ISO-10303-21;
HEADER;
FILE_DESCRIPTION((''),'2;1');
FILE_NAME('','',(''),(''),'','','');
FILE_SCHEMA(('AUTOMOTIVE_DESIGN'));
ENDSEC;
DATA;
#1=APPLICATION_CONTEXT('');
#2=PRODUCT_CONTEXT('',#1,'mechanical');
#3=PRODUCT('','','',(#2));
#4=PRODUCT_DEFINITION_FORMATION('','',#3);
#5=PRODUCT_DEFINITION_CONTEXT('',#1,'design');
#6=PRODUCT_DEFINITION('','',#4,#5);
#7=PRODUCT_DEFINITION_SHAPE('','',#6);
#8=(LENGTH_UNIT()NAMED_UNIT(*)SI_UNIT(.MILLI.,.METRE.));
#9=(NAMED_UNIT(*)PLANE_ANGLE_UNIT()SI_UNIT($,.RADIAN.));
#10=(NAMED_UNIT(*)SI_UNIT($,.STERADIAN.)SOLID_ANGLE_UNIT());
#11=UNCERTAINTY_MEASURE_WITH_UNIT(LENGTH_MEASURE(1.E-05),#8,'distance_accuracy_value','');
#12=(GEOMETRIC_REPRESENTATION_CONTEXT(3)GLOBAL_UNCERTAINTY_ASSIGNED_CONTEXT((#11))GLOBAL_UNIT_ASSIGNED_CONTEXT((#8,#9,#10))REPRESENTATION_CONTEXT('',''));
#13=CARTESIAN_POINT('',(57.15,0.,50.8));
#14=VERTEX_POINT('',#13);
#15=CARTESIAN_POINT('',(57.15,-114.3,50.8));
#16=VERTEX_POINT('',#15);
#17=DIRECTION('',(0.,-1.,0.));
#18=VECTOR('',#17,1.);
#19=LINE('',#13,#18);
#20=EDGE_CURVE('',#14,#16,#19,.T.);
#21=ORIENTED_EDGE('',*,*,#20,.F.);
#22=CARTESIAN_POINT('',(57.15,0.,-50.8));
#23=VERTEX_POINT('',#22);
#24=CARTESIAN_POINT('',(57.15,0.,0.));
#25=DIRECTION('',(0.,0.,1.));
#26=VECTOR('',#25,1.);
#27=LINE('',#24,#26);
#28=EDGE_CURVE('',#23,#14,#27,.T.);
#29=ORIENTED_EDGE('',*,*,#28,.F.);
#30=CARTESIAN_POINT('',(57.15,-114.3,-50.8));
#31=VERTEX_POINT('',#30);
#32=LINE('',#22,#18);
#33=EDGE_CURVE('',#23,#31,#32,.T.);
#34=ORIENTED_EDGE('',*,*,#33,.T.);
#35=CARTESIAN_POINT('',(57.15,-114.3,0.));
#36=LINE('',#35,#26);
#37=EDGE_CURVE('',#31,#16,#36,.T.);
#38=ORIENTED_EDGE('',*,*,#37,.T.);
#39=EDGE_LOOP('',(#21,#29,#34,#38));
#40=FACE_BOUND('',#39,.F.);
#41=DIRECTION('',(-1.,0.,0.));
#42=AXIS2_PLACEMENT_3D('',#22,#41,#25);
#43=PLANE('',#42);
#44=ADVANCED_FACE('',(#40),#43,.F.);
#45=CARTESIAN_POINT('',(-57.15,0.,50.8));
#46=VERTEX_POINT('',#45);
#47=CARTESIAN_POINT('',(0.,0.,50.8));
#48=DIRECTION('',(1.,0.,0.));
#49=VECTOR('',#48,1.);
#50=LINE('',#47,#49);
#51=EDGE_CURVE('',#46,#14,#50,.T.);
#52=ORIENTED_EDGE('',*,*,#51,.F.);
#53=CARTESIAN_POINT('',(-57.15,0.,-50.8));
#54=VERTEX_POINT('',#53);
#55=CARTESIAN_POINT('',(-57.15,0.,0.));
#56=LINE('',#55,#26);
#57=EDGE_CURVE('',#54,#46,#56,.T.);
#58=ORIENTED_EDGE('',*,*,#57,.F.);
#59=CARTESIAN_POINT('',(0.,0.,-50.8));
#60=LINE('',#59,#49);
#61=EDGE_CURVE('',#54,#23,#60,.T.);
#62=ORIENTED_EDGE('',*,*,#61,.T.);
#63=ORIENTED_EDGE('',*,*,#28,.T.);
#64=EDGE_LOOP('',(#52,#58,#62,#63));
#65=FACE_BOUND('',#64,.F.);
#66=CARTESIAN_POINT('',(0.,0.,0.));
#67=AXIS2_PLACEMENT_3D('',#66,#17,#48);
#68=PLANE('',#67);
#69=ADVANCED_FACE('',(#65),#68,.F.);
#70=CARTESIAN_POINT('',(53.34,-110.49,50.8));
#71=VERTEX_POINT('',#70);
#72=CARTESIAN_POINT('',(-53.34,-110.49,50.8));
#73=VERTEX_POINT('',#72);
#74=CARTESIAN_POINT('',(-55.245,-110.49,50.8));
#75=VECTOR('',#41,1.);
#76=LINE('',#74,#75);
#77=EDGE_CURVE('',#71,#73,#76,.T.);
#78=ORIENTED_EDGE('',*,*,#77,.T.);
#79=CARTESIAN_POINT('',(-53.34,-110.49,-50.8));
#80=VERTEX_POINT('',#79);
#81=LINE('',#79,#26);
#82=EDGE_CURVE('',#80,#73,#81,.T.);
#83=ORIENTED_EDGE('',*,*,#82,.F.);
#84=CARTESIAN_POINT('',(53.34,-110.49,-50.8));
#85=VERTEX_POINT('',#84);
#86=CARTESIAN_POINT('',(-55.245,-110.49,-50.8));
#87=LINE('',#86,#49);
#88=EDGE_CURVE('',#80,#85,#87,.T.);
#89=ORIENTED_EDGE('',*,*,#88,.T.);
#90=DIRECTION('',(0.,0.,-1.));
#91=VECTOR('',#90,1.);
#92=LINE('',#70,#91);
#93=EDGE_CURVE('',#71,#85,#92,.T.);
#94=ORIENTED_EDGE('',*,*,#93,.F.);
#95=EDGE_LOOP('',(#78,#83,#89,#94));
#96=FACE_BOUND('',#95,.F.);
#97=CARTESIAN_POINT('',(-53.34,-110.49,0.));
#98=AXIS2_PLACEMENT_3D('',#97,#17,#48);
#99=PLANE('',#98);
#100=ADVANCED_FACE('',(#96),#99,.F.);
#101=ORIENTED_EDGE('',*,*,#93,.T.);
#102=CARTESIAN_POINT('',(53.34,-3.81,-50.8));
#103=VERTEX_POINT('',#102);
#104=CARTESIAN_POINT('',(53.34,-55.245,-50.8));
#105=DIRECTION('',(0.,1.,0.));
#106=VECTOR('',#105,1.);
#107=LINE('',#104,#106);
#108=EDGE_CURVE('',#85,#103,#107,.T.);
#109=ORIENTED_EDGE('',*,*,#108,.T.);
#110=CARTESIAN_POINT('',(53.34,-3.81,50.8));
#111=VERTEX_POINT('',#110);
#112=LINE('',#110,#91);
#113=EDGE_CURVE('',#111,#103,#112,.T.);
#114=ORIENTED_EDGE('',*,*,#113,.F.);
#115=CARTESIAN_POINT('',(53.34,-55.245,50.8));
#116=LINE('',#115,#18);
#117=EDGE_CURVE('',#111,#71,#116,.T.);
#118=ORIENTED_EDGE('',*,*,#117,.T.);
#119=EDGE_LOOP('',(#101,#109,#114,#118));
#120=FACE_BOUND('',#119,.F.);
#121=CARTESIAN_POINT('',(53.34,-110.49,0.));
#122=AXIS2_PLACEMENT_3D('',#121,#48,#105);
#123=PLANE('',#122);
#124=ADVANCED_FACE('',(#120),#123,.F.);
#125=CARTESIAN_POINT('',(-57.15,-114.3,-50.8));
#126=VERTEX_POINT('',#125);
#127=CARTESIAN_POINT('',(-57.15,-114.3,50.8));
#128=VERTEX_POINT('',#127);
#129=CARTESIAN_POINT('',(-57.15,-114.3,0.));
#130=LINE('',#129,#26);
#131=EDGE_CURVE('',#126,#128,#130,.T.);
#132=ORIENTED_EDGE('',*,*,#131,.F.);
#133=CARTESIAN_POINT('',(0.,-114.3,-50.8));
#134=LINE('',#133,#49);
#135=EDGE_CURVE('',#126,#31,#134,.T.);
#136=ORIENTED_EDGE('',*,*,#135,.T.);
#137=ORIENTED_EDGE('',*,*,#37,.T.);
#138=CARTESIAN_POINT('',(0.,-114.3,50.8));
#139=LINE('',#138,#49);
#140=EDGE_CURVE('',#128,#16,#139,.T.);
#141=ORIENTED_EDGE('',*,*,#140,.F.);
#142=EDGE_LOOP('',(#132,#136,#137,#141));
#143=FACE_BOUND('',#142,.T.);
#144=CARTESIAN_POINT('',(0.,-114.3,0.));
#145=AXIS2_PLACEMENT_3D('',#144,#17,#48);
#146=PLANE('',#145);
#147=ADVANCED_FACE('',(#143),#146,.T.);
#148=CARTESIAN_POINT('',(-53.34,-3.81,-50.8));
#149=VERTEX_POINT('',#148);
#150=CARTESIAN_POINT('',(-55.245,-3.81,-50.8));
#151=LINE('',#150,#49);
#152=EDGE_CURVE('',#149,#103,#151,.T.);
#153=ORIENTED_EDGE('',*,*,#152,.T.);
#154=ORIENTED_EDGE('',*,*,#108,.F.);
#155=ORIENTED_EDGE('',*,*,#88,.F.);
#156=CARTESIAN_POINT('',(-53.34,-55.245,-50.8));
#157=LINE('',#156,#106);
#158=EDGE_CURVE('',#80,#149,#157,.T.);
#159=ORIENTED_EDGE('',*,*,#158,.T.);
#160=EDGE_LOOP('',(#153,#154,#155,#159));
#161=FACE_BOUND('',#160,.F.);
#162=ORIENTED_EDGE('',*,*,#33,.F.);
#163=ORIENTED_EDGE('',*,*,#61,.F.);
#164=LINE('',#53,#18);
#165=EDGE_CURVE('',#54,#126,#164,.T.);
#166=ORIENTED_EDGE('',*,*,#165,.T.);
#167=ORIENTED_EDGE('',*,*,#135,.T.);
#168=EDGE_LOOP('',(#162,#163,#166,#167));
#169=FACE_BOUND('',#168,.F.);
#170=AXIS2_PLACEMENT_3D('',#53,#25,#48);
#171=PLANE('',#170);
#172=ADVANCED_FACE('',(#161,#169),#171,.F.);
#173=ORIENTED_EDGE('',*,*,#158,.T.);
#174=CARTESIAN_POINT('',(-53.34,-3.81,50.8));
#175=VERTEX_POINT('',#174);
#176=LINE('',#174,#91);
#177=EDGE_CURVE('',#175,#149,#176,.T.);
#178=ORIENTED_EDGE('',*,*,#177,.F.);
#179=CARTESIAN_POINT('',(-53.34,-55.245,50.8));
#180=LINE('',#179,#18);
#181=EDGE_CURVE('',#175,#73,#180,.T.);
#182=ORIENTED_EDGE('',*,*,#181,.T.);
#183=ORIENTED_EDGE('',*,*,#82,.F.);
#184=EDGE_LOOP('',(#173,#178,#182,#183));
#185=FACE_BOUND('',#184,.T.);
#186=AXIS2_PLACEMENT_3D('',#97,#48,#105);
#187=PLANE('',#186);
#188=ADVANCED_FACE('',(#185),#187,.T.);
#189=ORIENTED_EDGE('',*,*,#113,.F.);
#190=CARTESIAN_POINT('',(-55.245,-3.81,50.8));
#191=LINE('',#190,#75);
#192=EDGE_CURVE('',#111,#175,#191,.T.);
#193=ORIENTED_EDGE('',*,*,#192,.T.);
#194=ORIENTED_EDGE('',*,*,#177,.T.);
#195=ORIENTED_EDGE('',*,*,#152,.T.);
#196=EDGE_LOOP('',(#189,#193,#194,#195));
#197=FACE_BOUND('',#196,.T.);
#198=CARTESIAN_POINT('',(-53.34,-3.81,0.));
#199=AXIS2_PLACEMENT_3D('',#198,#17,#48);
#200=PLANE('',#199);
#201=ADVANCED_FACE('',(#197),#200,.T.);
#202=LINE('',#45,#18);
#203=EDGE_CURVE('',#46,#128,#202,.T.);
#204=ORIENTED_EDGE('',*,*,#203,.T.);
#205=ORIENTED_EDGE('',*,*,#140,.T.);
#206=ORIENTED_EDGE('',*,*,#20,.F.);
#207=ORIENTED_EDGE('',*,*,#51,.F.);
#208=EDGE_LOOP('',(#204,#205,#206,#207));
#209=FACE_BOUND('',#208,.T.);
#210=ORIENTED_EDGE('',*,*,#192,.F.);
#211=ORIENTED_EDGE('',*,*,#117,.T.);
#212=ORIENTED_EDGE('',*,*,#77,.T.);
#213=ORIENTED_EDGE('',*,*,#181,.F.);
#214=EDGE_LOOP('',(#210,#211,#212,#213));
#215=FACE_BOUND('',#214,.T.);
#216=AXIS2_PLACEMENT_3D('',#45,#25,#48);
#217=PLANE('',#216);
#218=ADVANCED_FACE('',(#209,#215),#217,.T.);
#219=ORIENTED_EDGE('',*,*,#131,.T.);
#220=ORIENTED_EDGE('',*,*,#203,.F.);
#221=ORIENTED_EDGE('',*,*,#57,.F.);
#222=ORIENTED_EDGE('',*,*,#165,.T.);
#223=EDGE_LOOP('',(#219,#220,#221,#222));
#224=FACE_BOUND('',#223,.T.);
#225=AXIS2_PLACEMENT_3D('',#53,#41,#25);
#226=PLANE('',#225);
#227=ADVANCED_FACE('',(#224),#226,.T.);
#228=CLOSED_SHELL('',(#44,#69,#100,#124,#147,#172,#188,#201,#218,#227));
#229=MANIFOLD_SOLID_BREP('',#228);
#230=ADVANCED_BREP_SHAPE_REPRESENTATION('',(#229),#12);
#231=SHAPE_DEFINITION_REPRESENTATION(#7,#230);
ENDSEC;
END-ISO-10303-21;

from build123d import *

# Parameters (mm, degrees)
F0_W     = 114.3
F0_H     = 101.6
F1_DEPTH = 114.3
F2_W     = 106.68
F2_H     = 106.68
F3_DEPTH = 50.801
F4_DEPTH = 50.801


with BuildPart() as f1:
    # F0 (on Front) → F1 (new body)
    with BuildSketch(Plane.XZ):
        Rectangle(F0_W, F0_H)
    extrude(amount=F1_DEPTH)

    # F2 (on Top) → F3 (cut, through all)
    with BuildSketch(Plane.XY):
        with Locations((0, -57.15)):
            Rectangle(F2_W, F2_H)
    extrude(amount=F3_DEPTH, mode=Mode.SUBTRACT)

    # F2 (on Top) → F4 (cut, through all)
    with BuildSketch(Plane.XY):
        with Locations((0, -57.15)):
            Rectangle(F2_W, F2_H)
    extrude(amount=-F4_DEPTH, mode=Mode.SUBTRACT)


solid = f1.part
